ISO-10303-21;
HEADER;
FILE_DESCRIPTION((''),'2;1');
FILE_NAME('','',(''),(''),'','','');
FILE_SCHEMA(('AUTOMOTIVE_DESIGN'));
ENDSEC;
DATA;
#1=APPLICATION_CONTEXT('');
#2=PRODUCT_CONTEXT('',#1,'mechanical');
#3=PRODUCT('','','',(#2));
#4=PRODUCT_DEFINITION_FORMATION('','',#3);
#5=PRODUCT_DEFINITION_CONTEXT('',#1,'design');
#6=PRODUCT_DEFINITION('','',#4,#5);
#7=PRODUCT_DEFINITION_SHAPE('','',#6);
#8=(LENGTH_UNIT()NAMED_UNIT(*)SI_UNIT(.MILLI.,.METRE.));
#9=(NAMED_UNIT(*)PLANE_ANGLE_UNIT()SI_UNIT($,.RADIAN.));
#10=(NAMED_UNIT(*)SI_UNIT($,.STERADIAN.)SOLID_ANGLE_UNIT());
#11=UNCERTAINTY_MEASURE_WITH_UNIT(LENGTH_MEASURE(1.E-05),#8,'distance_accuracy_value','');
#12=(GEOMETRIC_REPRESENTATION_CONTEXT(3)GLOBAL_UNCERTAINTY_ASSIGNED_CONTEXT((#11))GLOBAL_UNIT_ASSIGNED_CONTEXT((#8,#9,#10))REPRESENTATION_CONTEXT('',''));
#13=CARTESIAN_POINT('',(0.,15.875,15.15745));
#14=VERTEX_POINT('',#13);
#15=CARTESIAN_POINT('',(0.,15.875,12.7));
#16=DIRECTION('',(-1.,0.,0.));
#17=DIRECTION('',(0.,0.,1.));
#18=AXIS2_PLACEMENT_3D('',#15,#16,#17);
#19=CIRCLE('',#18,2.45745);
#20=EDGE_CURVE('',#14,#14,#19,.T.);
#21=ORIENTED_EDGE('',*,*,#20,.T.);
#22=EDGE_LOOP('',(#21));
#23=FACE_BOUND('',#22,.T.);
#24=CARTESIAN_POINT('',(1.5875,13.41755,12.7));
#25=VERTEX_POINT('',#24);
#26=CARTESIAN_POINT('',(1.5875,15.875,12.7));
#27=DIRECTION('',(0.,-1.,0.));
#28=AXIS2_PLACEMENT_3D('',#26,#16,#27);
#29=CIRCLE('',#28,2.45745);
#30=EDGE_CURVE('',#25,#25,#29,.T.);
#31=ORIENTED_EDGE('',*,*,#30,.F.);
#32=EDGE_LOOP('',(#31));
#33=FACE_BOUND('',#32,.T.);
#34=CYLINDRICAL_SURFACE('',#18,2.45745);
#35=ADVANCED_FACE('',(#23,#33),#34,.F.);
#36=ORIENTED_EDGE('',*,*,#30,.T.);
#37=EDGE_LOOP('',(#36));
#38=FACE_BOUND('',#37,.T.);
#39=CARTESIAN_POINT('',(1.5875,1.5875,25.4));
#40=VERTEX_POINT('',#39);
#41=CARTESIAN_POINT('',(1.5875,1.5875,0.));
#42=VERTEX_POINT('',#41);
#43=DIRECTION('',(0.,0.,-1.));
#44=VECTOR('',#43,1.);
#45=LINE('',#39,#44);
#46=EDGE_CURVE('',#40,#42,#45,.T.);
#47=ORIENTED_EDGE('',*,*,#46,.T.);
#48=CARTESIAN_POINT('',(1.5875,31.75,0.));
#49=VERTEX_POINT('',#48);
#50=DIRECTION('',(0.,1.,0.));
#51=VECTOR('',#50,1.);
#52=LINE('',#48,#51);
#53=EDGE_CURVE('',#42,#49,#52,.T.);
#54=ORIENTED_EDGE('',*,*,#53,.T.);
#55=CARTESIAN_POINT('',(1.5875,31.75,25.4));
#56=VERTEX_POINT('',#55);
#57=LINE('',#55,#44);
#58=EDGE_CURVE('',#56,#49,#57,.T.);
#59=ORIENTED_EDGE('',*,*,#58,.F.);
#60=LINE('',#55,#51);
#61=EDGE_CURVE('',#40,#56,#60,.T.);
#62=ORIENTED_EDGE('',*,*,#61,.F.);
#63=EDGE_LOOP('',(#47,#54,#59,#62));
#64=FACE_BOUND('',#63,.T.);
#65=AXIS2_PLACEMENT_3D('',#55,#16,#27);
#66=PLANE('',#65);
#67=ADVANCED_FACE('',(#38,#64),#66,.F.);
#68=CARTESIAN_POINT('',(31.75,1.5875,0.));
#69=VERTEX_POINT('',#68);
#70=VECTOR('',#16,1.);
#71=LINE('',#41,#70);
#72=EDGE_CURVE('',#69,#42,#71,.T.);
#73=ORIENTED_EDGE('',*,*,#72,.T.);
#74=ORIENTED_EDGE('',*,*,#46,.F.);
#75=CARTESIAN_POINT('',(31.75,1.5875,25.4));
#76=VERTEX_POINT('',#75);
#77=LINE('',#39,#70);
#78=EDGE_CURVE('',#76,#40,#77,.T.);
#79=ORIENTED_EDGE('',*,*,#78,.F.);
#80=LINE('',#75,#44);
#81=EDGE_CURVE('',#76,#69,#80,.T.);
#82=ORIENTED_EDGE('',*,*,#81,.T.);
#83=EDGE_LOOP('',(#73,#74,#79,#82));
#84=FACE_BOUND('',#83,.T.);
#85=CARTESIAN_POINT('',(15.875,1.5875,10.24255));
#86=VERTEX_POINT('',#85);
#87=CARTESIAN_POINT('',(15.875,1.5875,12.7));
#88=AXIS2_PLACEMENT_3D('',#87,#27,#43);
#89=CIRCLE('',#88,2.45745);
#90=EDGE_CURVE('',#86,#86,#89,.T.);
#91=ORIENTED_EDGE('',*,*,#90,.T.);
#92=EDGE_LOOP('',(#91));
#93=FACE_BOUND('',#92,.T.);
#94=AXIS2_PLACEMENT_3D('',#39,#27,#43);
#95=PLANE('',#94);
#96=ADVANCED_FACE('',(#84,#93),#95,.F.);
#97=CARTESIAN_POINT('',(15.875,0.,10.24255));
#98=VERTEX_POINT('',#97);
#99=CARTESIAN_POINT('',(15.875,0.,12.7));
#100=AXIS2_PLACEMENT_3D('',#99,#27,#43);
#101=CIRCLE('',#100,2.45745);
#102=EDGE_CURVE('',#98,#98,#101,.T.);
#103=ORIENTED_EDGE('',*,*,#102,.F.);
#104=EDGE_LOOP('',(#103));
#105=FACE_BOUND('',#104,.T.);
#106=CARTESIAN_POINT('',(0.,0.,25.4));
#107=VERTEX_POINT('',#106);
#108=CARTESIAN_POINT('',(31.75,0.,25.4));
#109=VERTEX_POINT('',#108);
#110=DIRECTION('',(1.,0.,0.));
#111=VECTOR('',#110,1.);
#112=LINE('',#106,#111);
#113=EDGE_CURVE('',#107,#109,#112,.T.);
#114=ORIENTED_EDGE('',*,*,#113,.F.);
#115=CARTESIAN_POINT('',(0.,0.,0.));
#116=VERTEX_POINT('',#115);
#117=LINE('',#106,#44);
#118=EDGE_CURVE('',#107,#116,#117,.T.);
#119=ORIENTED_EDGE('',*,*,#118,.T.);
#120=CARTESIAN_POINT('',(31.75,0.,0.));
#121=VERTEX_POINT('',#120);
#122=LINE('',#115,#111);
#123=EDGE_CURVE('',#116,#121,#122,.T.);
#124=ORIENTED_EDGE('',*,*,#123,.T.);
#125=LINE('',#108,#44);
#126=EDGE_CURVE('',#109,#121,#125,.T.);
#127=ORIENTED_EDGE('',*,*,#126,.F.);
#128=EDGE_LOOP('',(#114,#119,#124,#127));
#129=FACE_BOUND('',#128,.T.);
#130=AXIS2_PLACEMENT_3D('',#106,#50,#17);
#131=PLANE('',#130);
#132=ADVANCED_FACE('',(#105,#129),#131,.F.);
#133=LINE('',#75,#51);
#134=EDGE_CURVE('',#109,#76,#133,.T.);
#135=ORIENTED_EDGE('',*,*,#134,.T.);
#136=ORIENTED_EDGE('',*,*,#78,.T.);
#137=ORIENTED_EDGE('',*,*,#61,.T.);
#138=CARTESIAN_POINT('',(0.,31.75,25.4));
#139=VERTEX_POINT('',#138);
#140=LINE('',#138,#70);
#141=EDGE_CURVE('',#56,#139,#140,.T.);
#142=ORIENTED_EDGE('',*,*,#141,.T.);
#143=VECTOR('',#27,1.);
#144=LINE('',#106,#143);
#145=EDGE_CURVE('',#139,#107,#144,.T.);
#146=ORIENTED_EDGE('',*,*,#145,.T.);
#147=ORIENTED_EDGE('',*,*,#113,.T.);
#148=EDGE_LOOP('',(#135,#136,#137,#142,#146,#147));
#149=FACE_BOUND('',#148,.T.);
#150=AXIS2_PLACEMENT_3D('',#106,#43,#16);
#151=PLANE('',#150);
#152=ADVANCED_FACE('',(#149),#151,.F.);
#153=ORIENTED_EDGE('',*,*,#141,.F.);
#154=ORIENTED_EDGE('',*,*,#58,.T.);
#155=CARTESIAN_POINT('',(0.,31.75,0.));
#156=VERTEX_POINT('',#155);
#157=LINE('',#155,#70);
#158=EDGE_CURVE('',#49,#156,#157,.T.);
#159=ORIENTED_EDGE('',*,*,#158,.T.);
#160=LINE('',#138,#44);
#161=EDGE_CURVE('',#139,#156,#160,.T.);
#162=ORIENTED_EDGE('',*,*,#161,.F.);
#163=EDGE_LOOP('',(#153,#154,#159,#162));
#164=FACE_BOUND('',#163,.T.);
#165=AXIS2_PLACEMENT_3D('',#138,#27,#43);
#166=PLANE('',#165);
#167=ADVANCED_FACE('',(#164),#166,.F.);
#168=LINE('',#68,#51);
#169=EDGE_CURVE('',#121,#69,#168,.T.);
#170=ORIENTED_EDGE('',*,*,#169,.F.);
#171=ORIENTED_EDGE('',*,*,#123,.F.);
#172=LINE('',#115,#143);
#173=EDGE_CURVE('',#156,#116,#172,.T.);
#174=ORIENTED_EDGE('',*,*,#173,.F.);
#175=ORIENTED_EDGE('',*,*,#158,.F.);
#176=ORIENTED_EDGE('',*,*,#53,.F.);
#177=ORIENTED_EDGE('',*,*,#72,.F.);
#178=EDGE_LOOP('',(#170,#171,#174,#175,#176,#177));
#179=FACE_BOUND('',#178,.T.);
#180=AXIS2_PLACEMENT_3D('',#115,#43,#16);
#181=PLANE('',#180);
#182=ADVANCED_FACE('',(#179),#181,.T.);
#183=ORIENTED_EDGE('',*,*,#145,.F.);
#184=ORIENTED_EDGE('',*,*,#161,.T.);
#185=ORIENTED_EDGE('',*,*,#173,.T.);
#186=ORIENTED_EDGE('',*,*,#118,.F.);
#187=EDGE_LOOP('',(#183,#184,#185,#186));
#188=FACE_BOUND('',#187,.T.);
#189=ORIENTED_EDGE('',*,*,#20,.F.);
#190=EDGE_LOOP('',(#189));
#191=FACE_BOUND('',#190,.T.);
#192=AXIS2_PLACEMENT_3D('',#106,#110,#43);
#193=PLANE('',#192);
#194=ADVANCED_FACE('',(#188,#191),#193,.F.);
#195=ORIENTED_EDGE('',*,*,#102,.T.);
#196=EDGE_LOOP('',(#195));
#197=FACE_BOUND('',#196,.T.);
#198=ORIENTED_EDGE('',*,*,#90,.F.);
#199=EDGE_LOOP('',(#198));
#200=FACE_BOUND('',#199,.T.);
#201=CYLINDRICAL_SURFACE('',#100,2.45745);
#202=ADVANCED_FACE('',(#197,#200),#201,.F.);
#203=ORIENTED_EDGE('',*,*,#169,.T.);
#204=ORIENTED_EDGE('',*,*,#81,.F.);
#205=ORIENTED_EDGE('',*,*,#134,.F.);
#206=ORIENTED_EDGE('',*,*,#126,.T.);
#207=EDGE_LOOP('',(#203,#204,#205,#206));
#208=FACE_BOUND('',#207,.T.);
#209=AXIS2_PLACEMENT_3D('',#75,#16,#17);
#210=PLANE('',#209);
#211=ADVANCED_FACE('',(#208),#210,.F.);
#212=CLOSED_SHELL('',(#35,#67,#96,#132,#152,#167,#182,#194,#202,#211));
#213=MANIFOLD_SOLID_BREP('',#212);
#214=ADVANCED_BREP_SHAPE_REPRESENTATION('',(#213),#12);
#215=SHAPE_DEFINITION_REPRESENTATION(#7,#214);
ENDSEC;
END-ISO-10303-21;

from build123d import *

# Parameters (mm, degrees)
BOSS_EXTRUDE1_DEPTH          = 25.4
F_10_0_1935_DIAMETER_HOLE1_D = 4.9149
F_10_0_1935_DIAMETER_HOLE2_D = 4.9149


with BuildPart() as part:
    # Sketch1 → Boss-Extrude1 (new body)
    with BuildSketch(Plane.XY):
        Polygon((0, 0), (0, 31.75), (1.5875, 31.75), (1.5875, 1.5875), (31.75, 1.5875), (31.75, 0), align=None)
    extrude(amount=BOSS_EXTRUDE1_DEPTH)

    # #10 (0.1935) Diameter Hole1 (through all)
    with Locations(Plane(origin=(0, 0, 0), x_dir=(-1, 0, 0), z_dir=(0, -1, 0))):
        with Locations((-15.875, -12.7)):
            Hole(F_10_0_1935_DIAMETER_HOLE1_D / 2)

    # #10 (0.1935) Diameter Hole2 (through all)
    with Locations(Plane.ZY):
        with Locations((12.7, 15.875)):
            Hole(F_10_0_1935_DIAMETER_HOLE2_D / 2)


solid = part.part
